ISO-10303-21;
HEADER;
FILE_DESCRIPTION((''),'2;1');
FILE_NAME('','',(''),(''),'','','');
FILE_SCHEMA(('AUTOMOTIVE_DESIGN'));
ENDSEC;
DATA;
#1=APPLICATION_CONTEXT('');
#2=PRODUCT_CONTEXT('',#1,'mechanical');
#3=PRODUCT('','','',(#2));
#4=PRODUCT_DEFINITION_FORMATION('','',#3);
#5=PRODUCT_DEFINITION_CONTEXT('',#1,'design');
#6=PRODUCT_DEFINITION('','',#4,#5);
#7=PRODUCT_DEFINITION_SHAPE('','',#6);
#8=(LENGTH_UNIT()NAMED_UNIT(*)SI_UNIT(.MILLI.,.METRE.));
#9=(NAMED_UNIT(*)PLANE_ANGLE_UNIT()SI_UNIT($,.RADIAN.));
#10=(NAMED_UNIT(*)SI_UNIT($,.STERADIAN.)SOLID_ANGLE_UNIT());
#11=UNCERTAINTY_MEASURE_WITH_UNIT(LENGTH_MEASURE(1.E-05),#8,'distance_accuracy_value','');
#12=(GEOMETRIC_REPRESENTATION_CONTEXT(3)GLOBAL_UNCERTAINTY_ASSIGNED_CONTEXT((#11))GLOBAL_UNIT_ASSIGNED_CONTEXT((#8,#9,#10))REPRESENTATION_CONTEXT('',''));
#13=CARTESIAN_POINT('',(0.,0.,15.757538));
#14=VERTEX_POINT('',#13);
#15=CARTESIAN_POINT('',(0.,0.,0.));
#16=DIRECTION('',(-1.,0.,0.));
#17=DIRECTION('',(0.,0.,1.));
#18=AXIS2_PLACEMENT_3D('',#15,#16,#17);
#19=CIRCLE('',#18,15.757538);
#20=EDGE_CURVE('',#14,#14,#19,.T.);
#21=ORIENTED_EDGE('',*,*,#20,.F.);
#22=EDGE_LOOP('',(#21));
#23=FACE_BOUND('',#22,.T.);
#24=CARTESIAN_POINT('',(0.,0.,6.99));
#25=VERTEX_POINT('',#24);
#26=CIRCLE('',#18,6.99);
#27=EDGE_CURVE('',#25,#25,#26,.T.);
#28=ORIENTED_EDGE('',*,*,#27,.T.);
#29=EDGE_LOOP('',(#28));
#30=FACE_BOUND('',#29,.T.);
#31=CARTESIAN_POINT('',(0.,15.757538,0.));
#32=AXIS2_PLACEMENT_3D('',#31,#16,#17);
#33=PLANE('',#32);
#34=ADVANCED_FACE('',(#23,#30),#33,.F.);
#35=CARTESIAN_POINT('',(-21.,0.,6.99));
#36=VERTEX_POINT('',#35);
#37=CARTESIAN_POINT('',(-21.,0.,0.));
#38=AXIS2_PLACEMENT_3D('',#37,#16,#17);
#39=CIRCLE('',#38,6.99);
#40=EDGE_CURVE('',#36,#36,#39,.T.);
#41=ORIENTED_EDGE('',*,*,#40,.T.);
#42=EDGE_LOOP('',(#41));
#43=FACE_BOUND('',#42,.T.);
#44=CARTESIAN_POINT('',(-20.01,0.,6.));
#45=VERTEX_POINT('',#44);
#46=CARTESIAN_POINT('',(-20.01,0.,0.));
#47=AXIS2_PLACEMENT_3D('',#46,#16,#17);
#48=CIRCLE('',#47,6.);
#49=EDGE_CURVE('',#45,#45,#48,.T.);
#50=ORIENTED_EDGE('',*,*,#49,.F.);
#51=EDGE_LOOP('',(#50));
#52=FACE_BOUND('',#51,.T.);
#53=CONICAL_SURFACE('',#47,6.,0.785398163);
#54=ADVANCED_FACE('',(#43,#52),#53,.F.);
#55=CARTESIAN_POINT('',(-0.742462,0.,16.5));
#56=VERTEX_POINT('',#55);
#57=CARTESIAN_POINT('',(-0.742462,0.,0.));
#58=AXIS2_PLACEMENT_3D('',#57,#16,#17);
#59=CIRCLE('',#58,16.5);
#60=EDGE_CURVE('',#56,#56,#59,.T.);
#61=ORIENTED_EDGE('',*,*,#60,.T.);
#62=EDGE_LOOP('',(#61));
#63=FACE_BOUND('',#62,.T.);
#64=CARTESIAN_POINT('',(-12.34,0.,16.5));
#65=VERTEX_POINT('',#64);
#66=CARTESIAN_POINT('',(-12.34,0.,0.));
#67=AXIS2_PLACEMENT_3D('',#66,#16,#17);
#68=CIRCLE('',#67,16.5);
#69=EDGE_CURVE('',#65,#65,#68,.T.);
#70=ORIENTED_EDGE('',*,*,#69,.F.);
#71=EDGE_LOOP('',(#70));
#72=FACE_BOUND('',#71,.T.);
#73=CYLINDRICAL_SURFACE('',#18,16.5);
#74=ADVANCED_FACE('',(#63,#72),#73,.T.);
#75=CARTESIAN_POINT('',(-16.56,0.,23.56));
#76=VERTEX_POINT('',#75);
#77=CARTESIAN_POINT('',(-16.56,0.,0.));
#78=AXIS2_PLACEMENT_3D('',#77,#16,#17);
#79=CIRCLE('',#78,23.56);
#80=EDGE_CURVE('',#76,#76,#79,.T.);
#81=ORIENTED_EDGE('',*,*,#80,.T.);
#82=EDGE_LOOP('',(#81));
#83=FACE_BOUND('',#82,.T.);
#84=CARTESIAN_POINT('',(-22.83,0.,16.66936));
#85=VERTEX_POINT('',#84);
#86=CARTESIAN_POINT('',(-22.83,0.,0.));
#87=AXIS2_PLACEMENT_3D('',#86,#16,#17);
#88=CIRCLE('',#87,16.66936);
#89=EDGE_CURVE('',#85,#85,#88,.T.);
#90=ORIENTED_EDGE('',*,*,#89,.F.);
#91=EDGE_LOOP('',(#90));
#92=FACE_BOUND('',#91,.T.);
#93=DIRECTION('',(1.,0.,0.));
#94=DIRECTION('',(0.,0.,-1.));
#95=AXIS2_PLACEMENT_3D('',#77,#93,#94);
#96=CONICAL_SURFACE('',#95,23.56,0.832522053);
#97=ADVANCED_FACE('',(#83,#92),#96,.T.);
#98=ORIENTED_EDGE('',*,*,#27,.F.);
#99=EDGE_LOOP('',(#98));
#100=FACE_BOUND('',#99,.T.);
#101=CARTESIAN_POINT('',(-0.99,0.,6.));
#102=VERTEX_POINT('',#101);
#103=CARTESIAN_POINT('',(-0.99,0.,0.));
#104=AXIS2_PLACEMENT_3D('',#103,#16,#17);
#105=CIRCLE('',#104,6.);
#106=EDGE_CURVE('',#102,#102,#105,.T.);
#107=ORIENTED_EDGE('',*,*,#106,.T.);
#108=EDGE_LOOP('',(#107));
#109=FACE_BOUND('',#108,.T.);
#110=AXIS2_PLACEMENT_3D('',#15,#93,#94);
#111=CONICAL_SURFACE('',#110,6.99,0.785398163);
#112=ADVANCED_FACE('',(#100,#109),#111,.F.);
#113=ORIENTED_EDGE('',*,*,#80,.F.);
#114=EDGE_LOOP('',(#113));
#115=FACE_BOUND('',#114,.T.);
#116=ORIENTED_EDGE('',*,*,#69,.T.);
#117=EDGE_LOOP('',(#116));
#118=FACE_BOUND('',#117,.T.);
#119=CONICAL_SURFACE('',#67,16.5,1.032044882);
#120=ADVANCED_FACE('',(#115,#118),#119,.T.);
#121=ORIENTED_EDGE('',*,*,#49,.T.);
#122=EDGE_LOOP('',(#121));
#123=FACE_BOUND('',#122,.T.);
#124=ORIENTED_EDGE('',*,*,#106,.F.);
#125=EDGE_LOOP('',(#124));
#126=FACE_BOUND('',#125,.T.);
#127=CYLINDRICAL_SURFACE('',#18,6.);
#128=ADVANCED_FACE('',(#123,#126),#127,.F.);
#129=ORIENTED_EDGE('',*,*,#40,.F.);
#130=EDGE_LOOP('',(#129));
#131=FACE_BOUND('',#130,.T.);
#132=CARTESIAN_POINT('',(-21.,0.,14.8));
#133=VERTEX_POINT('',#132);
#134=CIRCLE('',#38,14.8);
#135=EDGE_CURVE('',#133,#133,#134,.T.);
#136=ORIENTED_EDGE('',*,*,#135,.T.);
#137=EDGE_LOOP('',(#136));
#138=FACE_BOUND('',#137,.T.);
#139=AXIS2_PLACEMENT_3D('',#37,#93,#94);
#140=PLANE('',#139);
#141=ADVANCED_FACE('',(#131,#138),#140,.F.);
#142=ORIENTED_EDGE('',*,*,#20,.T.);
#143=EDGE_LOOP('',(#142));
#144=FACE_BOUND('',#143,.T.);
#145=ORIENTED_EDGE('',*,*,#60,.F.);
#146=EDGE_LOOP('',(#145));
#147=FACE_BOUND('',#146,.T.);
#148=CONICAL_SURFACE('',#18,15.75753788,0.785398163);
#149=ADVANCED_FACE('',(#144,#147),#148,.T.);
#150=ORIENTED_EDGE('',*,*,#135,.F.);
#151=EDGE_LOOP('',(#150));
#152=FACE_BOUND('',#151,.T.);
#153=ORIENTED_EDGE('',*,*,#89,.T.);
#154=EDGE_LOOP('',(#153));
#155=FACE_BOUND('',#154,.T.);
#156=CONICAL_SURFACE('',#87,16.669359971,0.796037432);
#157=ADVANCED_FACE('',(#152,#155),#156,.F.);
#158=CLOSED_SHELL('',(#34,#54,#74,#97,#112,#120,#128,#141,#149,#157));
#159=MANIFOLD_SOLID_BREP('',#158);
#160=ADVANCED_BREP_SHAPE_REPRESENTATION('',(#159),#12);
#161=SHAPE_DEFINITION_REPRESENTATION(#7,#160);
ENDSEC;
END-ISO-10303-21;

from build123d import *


with BuildPart() as part:
    # 草图1 → 旋转1 (revolve)
    with BuildSketch(Plane.XY, mode=Mode.PRIVATE) as revolve_1_sk:
        Polygon((-21, 0), (-21, 14.8), (-22.83, 16.669359971), (-16.56, 23.56), (-12.34, 16.5), (-0.74246212, 16.5), (0, 15.75753788), (0, 0), align=None)
    revolve(revolve_1_sk.sketch.rotate(Axis((0, 0, 0), (-1, 0, 0)), 270), axis=Axis((0, 0, 0), (-1, 0, 0)))

    # 草图2 → 切除-旋转1 (revolve, cut)
    with BuildSketch(Plane.XY, mode=Mode.PRIVATE) as cut_revolve_1_sk:
        Polygon((-21, 0), (-21, 6.99), (-20.01, 6), (-0.99, 6), (0, 6.99), (0, 0), align=None)
    revolve(cut_revolve_1_sk.sketch.rotate(Axis((0, 0, 0), (-1, 0, 0)), 270), axis=Axis((0, 0, 0), (-1, 0, 0)), mode=Mode.SUBTRACT)


solid = part.part
